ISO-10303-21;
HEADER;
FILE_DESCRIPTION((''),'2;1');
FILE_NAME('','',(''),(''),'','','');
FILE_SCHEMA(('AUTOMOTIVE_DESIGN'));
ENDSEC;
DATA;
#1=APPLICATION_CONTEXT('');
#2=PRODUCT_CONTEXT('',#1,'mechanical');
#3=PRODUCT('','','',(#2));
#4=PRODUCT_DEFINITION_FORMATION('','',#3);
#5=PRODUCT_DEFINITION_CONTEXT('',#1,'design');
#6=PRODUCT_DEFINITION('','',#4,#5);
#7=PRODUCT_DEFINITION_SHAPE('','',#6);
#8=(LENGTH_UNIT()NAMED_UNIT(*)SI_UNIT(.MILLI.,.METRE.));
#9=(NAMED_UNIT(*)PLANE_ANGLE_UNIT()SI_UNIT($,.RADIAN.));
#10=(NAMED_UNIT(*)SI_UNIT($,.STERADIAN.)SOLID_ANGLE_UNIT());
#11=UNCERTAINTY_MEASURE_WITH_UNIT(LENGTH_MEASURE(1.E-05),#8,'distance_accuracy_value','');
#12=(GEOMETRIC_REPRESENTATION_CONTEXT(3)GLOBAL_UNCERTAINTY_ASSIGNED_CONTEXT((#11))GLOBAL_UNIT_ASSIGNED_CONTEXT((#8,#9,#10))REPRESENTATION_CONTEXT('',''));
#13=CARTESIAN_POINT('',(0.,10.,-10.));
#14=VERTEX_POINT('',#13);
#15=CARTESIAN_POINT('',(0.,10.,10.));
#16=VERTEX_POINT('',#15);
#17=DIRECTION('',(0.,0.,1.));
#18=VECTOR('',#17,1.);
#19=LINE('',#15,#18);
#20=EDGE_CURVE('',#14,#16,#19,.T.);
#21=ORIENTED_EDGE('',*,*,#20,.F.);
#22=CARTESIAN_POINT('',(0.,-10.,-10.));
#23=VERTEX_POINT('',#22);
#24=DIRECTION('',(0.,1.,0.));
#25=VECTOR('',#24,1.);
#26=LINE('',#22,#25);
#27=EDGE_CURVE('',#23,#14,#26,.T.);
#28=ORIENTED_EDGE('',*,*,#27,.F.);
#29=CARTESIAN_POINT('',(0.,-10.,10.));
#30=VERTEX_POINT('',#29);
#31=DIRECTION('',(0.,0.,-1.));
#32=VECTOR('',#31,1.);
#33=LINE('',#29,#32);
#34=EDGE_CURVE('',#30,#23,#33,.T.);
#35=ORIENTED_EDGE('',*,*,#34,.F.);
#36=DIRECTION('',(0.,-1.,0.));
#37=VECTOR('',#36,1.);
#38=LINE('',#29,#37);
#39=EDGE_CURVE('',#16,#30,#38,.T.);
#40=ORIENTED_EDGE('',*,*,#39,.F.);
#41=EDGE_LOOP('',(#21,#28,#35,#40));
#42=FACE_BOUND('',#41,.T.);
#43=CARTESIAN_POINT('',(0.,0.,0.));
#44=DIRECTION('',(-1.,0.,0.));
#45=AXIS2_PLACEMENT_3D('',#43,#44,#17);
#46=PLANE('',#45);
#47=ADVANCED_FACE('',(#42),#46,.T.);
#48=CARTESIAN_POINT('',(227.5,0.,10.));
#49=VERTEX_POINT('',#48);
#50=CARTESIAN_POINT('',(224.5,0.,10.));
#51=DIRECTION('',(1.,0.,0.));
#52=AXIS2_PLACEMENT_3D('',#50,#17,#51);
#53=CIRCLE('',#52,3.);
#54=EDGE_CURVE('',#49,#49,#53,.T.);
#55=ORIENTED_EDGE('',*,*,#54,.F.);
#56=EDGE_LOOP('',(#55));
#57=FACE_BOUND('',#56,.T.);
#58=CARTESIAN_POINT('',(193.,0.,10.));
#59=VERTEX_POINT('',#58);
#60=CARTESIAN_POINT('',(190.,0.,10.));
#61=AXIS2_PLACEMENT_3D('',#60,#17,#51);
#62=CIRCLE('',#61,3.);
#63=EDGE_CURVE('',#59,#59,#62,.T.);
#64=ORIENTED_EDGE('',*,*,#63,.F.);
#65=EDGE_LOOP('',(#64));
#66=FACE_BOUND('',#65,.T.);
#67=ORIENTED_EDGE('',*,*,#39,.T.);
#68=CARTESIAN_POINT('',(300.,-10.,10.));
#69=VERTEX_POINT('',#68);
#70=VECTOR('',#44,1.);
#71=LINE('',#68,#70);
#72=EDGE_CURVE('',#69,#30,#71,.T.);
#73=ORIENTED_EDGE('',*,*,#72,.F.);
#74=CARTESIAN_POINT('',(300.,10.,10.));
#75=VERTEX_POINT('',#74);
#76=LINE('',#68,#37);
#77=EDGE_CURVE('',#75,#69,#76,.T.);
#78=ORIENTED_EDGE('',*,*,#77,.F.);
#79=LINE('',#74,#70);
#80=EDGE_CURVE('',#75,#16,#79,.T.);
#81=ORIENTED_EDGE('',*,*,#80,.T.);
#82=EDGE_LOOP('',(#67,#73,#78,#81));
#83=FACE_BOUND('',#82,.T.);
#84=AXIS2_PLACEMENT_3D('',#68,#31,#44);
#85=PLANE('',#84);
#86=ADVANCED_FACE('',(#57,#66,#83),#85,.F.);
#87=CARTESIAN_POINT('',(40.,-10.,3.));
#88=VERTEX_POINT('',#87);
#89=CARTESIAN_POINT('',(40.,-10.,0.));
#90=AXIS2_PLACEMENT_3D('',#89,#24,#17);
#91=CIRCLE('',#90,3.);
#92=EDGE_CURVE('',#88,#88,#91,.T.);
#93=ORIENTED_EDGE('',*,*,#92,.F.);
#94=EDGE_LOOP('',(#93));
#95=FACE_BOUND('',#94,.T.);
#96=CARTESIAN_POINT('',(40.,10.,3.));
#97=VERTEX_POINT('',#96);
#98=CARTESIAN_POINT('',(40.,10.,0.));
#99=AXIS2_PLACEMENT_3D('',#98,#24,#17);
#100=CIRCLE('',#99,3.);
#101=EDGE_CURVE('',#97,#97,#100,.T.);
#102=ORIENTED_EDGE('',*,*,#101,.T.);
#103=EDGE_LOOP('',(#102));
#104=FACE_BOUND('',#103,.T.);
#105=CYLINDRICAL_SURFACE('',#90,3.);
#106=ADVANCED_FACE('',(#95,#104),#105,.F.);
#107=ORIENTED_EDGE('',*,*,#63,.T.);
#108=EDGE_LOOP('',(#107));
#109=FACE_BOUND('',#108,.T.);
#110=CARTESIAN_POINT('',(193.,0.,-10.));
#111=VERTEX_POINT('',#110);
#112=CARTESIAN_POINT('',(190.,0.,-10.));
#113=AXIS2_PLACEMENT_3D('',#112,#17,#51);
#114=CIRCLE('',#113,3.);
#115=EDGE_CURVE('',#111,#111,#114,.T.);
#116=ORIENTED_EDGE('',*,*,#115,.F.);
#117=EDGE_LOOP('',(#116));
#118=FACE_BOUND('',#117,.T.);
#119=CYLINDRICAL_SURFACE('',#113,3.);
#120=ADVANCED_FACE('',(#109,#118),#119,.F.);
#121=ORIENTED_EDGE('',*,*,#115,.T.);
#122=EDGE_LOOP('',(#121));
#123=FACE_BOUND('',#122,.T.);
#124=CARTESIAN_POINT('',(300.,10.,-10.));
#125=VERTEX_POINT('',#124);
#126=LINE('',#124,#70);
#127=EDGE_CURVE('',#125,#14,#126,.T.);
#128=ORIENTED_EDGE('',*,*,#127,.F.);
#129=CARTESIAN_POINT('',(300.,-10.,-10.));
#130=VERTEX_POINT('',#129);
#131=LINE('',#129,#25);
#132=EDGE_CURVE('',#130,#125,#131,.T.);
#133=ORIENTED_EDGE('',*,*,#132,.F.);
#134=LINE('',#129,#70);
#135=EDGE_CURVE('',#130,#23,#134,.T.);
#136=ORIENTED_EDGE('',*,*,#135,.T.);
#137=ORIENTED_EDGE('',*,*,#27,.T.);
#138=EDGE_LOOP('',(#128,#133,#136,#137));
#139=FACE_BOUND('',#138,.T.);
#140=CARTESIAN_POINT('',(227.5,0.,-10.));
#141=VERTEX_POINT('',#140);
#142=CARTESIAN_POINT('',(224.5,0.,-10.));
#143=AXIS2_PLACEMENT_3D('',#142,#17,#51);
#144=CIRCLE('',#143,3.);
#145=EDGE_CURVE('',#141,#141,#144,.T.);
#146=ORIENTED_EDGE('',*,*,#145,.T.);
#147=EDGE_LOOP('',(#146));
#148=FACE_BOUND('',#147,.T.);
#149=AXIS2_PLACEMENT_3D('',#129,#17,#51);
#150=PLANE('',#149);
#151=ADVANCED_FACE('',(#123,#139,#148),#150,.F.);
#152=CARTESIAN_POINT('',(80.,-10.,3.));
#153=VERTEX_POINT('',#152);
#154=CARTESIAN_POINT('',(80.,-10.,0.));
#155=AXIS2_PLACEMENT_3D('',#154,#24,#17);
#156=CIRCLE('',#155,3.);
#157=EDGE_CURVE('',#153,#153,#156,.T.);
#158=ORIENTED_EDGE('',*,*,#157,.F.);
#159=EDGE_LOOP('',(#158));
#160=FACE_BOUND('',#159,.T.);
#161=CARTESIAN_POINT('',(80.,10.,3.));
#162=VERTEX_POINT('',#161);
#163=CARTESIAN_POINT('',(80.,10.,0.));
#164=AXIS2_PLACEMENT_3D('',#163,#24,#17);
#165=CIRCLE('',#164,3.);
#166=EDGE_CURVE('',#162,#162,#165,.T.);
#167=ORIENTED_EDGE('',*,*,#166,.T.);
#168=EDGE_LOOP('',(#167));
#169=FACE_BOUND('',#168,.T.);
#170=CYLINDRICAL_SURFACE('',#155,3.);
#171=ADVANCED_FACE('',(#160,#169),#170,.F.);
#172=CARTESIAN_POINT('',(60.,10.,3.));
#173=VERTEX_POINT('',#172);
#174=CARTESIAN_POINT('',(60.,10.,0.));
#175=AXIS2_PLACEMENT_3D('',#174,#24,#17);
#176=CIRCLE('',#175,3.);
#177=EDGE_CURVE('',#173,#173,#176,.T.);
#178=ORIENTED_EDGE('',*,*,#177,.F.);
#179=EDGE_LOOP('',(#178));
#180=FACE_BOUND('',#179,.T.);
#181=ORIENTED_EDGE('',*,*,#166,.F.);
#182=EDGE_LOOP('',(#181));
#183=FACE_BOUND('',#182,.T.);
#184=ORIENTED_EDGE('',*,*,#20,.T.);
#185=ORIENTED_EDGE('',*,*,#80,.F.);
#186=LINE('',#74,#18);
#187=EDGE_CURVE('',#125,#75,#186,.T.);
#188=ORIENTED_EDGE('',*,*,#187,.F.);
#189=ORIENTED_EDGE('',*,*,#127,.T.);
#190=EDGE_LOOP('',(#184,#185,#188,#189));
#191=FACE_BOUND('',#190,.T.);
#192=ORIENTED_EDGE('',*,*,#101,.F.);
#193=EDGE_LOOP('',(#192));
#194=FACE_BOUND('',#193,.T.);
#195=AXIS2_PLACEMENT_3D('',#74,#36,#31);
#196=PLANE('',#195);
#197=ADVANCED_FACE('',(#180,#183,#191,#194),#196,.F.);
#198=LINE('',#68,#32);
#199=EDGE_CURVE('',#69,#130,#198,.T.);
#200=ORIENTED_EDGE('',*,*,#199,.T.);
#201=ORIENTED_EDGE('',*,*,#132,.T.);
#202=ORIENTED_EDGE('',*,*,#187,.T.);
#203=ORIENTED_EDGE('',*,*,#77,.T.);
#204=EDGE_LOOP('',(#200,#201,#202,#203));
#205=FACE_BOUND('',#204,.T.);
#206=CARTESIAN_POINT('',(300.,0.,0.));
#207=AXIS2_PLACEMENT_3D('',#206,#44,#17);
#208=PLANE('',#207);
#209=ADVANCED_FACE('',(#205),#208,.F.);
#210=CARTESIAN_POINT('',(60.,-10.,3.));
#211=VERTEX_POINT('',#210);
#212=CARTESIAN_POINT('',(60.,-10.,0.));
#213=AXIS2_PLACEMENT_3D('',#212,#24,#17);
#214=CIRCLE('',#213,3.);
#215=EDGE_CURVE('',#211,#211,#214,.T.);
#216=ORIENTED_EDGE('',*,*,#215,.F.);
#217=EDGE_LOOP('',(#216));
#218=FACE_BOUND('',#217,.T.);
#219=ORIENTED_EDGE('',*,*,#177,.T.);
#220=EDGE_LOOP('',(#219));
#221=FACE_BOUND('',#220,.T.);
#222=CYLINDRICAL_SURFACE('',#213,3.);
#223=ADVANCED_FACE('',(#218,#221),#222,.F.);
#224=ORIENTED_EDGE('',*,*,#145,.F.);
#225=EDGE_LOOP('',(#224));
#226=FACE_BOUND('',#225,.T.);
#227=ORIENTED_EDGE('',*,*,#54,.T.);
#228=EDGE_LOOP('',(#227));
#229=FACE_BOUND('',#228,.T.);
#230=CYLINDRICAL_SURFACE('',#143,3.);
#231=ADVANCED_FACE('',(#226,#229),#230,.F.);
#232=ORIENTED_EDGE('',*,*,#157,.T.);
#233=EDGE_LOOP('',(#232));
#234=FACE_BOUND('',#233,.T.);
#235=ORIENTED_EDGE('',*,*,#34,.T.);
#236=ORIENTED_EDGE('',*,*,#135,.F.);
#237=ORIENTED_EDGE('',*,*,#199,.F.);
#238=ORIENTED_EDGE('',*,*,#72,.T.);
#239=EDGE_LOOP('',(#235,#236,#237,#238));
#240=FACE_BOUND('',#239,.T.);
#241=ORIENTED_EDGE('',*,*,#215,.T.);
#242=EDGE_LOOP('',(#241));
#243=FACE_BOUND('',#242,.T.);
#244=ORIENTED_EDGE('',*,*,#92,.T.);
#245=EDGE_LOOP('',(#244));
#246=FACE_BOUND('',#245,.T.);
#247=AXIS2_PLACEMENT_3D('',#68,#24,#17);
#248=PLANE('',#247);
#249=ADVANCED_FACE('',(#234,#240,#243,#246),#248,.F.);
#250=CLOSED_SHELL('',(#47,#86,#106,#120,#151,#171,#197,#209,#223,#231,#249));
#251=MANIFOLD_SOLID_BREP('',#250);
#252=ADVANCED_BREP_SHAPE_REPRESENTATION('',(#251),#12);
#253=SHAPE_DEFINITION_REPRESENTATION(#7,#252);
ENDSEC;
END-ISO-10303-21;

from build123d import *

# Parameters (mm, degrees)
SKIZZE1_W                       = 20
SKIZZE1_H                       = 20
AUFSATZ_LINEAR_AUSTRAGEN1_DEPTH = 300
SKIZZE2_R                       = 3
SCHNITT_LINEAR_AUSTRAGEN1_DEPTH = 301.83217913
SKETCH1_R                       = 3
EXTRUDE1_DEPTH                  = 301.83217913


with BuildPart() as part:
    # Skizze1 → Aufsatz-Linear austragen1 (new body)
    with BuildSketch(Plane(origin=(0, 0, 0), x_dir=(0, 0, -1), z_dir=(1, 0, 0))):
        Rectangle(SKIZZE1_W, SKIZZE1_H)
    extrude(amount=AUFSATZ_LINEAR_AUSTRAGEN1_DEPTH)

    # Skizze2 → Schnitt-Linear austragen1 (cut, through all)
    with BuildSketch(Plane(origin=(0, 10, 0), x_dir=(1, 0, 0), z_dir=(0, 1, 0))):
        with Locations(Location((40, 0, 0), (0, 0, 270))):
            Circle(SKIZZE2_R)
        with Locations(Location((60, 0, 0), (0, 0, 270))):
            Circle(SKIZZE2_R)
        with Locations(Location((80, 0, 0), (0, 0, 270))):
            Circle(SKIZZE2_R)
    extrude(amount=-SCHNITT_LINEAR_AUSTRAGEN1_DEPTH, mode=Mode.SUBTRACT)

    # Sketch1 → Extrude1 (cut, through all)
    with BuildSketch(Plane.XY.offset(10)):
        with Locations((190, 0)):
            Circle(SKETCH1_R)
        with Locations((224.5, 0)):
            Circle(SKETCH1_R)
    extrude(amount=-EXTRUDE1_DEPTH, mode=Mode.SUBTRACT)


solid = part.part
